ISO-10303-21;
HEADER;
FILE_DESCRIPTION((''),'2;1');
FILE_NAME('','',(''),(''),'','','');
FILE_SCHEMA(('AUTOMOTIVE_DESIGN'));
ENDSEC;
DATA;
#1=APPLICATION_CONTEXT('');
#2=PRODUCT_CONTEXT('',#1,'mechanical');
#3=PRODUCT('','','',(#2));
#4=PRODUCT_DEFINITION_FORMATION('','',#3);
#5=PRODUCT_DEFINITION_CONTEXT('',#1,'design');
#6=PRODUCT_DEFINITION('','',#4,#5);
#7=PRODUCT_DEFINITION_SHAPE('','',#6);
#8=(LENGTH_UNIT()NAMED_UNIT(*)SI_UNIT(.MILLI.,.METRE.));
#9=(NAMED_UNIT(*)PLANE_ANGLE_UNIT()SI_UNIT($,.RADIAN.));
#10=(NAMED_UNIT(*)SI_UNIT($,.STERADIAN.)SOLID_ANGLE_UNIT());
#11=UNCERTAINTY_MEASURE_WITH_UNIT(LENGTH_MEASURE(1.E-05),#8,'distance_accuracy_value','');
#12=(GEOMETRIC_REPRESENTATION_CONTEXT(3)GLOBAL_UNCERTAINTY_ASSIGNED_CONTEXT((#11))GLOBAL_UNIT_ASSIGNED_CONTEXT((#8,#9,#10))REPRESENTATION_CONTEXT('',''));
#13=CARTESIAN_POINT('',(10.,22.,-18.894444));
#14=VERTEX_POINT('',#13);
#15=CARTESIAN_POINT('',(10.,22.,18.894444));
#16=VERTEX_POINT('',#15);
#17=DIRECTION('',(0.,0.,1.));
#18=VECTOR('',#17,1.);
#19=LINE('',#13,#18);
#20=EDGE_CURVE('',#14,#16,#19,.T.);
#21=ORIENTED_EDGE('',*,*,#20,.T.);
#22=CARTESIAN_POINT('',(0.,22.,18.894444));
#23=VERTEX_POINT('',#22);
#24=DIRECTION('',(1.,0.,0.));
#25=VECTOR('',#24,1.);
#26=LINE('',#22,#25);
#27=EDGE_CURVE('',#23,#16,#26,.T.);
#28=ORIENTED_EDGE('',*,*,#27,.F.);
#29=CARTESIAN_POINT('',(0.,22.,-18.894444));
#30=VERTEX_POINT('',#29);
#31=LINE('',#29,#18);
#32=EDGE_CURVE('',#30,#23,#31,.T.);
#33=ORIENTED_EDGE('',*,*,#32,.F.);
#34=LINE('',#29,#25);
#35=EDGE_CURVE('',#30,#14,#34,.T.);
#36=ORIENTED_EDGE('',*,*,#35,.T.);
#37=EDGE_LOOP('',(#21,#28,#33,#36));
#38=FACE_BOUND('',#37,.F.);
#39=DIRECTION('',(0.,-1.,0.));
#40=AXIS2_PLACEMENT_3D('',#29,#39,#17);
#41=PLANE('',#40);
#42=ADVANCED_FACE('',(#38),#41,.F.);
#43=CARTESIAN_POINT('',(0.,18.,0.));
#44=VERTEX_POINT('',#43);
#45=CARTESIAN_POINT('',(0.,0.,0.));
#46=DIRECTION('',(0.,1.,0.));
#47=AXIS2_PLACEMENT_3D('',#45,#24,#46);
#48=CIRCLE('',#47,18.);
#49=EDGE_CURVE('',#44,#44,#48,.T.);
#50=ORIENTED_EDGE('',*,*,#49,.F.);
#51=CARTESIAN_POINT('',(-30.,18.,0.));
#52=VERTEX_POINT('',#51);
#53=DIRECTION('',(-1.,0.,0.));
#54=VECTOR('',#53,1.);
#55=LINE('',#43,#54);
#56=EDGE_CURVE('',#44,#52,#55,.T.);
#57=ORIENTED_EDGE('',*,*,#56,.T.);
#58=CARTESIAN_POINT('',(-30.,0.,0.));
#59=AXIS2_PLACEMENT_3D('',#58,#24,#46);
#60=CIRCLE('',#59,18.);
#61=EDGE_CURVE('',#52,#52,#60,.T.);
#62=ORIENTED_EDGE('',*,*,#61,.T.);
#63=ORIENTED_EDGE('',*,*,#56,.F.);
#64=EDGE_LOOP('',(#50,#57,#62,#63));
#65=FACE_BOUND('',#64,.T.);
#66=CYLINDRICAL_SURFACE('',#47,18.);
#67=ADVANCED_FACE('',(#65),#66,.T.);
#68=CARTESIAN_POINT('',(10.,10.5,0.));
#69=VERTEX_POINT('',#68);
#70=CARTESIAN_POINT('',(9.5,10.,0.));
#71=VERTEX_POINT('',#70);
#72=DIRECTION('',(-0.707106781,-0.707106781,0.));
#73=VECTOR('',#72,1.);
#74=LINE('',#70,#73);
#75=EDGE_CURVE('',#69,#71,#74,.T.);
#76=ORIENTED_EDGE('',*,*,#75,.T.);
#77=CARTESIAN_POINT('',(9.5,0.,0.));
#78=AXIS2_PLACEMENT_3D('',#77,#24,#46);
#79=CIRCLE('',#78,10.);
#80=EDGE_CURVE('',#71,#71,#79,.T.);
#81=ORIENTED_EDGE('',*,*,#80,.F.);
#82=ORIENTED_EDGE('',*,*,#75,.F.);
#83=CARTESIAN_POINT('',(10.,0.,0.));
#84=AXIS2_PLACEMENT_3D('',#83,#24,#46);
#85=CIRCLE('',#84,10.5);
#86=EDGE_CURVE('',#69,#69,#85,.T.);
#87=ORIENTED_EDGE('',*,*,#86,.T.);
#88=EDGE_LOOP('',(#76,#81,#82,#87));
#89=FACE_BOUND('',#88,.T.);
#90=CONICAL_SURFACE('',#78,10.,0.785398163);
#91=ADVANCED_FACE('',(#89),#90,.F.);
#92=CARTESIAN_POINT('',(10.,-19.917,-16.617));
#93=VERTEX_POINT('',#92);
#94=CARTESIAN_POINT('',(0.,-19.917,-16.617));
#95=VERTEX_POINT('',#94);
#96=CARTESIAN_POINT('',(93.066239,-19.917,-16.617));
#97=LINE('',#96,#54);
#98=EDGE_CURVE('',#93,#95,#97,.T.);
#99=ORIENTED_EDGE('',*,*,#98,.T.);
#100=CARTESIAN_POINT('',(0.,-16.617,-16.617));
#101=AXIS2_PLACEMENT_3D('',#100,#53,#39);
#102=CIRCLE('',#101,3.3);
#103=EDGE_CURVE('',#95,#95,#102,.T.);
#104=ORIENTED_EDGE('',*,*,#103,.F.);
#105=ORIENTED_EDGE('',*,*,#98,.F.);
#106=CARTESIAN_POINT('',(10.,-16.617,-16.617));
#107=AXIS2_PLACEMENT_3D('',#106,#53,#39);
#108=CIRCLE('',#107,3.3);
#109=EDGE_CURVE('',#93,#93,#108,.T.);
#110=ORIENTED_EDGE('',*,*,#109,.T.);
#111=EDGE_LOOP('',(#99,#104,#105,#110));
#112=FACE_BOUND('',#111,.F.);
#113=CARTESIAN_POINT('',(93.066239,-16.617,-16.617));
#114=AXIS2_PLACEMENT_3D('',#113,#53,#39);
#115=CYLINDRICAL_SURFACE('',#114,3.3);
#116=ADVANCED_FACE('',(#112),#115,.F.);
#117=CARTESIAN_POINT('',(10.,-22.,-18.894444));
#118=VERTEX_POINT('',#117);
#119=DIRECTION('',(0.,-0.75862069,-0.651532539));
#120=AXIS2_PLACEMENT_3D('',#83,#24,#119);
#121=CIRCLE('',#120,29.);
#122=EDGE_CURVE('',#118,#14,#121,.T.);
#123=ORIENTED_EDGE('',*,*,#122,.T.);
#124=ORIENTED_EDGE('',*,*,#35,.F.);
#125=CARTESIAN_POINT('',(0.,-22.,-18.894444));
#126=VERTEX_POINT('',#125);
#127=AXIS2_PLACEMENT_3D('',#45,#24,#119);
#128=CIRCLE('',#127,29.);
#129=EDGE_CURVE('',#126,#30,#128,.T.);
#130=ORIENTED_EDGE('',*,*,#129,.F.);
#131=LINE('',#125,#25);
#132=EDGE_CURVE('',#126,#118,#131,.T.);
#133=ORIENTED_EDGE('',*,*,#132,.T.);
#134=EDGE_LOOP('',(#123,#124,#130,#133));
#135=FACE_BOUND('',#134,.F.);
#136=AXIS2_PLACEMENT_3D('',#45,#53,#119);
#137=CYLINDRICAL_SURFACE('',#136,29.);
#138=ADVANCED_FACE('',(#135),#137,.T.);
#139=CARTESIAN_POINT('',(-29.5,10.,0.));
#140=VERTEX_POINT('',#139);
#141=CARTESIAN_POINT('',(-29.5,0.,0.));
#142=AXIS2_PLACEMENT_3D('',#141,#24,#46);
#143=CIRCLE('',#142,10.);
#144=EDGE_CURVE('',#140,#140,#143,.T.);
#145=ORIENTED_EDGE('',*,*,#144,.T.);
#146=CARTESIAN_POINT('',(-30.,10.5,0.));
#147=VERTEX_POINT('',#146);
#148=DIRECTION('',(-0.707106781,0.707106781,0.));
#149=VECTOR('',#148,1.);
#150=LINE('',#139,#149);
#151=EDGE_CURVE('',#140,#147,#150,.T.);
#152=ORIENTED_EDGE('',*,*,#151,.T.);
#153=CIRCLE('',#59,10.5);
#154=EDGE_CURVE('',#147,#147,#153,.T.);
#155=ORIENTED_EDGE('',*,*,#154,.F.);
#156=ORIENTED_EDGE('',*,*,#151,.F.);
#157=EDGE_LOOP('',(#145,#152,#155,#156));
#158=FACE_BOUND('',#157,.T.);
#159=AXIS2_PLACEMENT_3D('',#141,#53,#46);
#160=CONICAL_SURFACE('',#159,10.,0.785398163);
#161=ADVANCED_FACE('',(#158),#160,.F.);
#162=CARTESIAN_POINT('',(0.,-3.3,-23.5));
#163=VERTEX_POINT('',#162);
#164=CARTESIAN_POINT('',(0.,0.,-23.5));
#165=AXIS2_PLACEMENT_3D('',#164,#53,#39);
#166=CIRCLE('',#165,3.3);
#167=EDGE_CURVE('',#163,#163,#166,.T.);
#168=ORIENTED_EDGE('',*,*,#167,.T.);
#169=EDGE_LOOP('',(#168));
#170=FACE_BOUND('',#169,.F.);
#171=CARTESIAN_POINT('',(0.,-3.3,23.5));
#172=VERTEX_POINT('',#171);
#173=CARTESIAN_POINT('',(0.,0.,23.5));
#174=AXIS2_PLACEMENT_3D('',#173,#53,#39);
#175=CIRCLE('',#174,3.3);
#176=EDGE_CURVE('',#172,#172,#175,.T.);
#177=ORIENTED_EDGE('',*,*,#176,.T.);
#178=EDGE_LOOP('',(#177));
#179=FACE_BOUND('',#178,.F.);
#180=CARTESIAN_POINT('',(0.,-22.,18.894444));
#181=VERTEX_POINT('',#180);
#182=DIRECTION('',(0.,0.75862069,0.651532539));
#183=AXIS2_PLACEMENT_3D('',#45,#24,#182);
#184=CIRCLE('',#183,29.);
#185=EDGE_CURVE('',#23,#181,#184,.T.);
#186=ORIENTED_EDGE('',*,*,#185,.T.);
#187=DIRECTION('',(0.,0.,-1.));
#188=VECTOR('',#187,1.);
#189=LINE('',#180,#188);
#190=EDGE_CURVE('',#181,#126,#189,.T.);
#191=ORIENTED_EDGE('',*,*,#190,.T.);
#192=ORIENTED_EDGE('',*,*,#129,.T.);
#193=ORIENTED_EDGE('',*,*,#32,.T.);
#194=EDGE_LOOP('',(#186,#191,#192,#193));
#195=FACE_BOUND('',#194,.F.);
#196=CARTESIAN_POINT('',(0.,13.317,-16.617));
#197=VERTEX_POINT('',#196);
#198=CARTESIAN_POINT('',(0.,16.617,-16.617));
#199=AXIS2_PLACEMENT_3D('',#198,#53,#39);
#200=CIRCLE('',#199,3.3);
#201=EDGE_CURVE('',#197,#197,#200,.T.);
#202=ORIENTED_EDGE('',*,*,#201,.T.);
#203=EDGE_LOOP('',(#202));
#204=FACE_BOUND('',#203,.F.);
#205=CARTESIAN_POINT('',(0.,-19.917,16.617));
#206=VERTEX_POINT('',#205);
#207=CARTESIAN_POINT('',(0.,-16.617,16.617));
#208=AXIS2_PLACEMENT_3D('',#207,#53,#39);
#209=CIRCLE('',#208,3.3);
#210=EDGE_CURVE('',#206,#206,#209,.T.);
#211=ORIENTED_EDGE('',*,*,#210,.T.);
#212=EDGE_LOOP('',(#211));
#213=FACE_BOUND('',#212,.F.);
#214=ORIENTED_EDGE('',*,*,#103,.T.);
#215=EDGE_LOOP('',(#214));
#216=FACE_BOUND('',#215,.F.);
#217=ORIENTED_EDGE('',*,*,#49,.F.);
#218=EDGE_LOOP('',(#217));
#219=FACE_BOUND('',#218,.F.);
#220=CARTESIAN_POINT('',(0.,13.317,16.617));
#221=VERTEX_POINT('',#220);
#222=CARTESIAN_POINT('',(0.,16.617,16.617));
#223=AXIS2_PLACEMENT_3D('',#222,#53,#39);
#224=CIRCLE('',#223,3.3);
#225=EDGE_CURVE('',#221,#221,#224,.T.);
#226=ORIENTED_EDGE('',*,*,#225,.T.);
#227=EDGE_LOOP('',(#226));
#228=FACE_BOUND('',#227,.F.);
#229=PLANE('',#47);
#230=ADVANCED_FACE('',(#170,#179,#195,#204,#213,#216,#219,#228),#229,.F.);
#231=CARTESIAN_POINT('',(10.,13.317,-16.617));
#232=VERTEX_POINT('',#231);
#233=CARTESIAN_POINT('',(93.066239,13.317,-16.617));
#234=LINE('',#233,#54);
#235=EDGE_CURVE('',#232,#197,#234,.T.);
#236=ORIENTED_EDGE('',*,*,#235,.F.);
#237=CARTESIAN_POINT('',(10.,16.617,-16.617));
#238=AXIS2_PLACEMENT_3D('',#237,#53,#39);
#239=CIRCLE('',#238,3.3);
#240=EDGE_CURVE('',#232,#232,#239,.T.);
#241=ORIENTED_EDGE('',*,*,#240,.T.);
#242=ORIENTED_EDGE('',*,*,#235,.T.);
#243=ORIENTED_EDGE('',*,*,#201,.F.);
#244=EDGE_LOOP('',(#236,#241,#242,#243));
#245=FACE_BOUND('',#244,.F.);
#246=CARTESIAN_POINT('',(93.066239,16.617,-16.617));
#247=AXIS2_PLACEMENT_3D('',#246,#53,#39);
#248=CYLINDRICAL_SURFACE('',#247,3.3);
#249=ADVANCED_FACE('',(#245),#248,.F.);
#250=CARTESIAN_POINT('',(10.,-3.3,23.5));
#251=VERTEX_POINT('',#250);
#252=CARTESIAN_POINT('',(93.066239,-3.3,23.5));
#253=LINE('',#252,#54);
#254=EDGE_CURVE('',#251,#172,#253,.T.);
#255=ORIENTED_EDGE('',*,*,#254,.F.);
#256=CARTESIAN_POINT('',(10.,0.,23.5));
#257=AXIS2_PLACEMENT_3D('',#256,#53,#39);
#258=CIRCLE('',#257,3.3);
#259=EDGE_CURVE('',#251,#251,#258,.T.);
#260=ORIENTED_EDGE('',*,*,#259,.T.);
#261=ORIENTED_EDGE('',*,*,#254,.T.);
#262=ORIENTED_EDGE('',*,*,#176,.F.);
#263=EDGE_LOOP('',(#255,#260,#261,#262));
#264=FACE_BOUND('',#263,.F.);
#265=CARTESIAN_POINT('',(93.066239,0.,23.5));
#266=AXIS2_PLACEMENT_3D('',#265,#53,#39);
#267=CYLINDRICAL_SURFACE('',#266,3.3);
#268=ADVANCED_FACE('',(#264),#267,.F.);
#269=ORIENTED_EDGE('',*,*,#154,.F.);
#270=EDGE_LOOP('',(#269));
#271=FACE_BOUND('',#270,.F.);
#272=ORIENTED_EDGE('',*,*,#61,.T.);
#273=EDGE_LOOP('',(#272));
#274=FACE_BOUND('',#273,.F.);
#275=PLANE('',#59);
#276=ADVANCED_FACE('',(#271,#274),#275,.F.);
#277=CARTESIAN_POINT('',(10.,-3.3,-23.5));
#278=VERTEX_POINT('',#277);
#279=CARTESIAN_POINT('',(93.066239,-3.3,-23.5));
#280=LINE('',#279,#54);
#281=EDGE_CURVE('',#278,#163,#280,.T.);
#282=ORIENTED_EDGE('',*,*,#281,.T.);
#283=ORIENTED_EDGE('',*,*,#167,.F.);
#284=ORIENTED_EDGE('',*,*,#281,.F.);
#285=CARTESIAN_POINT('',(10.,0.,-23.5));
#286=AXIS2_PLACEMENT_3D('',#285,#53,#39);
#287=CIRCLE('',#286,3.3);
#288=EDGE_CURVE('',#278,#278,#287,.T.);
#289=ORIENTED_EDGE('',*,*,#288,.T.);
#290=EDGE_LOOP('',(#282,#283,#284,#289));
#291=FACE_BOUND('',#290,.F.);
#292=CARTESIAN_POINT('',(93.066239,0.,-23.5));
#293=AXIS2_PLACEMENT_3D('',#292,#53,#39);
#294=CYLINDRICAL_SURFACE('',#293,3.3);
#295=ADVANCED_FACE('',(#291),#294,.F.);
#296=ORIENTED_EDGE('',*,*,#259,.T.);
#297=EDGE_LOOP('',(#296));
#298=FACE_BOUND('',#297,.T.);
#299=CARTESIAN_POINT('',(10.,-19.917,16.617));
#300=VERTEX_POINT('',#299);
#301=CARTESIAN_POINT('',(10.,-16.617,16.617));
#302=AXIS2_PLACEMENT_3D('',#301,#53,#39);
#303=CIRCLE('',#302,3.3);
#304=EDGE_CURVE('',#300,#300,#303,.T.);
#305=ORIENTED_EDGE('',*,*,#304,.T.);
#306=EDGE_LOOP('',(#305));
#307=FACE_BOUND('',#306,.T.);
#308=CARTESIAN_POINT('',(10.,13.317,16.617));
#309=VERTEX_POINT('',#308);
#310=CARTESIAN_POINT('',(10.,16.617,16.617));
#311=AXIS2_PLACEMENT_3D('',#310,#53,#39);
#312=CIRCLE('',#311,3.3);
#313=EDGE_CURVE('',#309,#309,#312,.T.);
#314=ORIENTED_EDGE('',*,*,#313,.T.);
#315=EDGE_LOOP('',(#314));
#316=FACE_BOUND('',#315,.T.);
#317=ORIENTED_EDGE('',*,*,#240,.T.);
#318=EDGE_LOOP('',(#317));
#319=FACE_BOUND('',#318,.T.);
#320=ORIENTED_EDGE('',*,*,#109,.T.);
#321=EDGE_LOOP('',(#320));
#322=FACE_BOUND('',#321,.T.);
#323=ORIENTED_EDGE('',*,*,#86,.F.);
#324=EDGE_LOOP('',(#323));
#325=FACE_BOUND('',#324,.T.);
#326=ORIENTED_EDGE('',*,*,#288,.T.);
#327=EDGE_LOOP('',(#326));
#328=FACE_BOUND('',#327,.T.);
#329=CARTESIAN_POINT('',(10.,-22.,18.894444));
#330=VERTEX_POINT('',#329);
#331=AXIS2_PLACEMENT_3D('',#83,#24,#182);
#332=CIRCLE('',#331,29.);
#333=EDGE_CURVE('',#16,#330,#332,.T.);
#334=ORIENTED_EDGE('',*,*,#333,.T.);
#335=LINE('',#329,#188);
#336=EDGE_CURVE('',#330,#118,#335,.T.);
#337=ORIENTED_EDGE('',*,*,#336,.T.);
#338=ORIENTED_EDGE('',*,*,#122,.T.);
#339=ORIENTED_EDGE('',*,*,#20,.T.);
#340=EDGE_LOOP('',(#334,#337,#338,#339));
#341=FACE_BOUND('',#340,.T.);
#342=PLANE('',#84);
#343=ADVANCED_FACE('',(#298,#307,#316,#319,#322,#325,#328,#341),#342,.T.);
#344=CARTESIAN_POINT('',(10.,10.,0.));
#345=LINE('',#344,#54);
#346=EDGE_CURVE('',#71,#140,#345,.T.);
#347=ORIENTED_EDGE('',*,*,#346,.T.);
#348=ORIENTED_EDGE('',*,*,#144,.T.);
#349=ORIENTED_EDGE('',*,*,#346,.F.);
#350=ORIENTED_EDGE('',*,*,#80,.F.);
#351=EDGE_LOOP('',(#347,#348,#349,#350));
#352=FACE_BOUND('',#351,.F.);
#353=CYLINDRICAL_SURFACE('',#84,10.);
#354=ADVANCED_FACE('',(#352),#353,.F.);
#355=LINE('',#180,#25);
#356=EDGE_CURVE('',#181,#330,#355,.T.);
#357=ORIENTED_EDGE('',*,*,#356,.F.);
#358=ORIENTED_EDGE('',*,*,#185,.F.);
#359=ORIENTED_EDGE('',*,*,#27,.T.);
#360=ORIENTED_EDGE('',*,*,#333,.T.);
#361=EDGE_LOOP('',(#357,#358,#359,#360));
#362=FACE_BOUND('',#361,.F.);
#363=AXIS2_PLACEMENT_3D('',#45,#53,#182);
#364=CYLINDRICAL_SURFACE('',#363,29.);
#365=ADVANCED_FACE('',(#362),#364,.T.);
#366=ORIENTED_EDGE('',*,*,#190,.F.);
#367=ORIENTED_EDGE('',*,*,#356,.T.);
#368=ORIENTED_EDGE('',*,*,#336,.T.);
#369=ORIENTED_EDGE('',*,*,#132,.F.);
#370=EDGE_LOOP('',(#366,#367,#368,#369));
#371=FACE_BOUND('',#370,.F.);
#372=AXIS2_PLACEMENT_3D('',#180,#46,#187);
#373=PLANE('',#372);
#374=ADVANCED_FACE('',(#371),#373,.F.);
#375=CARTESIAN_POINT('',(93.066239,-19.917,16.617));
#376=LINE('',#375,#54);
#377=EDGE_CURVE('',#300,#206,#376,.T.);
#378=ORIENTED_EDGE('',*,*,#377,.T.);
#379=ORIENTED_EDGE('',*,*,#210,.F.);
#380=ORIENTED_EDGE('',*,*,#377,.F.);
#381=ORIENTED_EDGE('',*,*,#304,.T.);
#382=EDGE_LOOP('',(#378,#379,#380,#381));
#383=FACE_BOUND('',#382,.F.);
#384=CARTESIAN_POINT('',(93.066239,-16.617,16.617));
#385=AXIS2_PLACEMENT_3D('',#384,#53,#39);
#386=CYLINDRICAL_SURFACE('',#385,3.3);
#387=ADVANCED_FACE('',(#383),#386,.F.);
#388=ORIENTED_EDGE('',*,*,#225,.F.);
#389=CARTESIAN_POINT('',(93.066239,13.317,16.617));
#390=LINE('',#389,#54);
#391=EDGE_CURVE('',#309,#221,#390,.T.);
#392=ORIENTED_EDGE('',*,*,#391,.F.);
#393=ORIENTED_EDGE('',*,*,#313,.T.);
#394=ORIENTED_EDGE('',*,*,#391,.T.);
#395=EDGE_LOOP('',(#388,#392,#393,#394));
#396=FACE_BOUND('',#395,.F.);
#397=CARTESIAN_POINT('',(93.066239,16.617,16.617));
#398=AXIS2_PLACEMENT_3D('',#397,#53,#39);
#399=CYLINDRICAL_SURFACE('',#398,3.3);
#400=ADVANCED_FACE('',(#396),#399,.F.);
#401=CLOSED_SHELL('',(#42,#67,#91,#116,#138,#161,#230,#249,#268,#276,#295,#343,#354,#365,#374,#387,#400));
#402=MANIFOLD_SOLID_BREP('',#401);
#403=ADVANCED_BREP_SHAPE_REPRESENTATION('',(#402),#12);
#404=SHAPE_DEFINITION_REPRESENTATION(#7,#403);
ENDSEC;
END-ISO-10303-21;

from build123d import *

# Parameters (mm, degrees)
F0_R     = 18
F1_DEPTH = 30
F3_DEPTH = 10
F4_R     = 10
F5_DEPTH = 40.001
F6_SIZE  = 0.5
F8_D     = 6.6


with BuildPart() as f1:
    # F0 (on Right) → F1 (new body)
    with BuildSketch(Plane.YZ):
        Circle(F0_R)
    extrude(amount=-F1_DEPTH)

    # F2 (on face) → F3 (join)
    with BuildSketch(Plane.YZ):
        with BuildLine():
            Line((-22, 18.8944436277), (-22, -18.8944436277))
            ThreePointArc((-22, -18.8944436277), (0, -29), (22, -18.8944436277))
            Line((22, -18.8944436277), (22, 18.8944436277))
            ThreePointArc((22, 18.8944436277), (0, 29), (-22, 18.8944436277))
        make_face()
    extrude(amount=F3_DEPTH)

    # F4 (on face) → F5 (cut, through all)
    with BuildSketch(Plane.YZ.offset(10)):
        Circle(F4_R)
    extrude(amount=-F5_DEPTH, mode=Mode.SUBTRACT)

    # F6
    f6_edges = [f1.edges().sort_by_distance(p)[0] for p in [
        (10, -10, 0),
        (-30, -10, 0),
    ]]
    chamfer(f6_edges, length=F6_SIZE)

    # F8 (through all)
    with Locations(Plane.YZ.offset(10)):
        with Locations((0, 23.5), (16.617, 16.617), (16.617, -16.617), (0, -23.5), (-16.617, -16.617), (-16.617, 16.617)):
            Hole(F8_D / 2)


solid = f1.part
